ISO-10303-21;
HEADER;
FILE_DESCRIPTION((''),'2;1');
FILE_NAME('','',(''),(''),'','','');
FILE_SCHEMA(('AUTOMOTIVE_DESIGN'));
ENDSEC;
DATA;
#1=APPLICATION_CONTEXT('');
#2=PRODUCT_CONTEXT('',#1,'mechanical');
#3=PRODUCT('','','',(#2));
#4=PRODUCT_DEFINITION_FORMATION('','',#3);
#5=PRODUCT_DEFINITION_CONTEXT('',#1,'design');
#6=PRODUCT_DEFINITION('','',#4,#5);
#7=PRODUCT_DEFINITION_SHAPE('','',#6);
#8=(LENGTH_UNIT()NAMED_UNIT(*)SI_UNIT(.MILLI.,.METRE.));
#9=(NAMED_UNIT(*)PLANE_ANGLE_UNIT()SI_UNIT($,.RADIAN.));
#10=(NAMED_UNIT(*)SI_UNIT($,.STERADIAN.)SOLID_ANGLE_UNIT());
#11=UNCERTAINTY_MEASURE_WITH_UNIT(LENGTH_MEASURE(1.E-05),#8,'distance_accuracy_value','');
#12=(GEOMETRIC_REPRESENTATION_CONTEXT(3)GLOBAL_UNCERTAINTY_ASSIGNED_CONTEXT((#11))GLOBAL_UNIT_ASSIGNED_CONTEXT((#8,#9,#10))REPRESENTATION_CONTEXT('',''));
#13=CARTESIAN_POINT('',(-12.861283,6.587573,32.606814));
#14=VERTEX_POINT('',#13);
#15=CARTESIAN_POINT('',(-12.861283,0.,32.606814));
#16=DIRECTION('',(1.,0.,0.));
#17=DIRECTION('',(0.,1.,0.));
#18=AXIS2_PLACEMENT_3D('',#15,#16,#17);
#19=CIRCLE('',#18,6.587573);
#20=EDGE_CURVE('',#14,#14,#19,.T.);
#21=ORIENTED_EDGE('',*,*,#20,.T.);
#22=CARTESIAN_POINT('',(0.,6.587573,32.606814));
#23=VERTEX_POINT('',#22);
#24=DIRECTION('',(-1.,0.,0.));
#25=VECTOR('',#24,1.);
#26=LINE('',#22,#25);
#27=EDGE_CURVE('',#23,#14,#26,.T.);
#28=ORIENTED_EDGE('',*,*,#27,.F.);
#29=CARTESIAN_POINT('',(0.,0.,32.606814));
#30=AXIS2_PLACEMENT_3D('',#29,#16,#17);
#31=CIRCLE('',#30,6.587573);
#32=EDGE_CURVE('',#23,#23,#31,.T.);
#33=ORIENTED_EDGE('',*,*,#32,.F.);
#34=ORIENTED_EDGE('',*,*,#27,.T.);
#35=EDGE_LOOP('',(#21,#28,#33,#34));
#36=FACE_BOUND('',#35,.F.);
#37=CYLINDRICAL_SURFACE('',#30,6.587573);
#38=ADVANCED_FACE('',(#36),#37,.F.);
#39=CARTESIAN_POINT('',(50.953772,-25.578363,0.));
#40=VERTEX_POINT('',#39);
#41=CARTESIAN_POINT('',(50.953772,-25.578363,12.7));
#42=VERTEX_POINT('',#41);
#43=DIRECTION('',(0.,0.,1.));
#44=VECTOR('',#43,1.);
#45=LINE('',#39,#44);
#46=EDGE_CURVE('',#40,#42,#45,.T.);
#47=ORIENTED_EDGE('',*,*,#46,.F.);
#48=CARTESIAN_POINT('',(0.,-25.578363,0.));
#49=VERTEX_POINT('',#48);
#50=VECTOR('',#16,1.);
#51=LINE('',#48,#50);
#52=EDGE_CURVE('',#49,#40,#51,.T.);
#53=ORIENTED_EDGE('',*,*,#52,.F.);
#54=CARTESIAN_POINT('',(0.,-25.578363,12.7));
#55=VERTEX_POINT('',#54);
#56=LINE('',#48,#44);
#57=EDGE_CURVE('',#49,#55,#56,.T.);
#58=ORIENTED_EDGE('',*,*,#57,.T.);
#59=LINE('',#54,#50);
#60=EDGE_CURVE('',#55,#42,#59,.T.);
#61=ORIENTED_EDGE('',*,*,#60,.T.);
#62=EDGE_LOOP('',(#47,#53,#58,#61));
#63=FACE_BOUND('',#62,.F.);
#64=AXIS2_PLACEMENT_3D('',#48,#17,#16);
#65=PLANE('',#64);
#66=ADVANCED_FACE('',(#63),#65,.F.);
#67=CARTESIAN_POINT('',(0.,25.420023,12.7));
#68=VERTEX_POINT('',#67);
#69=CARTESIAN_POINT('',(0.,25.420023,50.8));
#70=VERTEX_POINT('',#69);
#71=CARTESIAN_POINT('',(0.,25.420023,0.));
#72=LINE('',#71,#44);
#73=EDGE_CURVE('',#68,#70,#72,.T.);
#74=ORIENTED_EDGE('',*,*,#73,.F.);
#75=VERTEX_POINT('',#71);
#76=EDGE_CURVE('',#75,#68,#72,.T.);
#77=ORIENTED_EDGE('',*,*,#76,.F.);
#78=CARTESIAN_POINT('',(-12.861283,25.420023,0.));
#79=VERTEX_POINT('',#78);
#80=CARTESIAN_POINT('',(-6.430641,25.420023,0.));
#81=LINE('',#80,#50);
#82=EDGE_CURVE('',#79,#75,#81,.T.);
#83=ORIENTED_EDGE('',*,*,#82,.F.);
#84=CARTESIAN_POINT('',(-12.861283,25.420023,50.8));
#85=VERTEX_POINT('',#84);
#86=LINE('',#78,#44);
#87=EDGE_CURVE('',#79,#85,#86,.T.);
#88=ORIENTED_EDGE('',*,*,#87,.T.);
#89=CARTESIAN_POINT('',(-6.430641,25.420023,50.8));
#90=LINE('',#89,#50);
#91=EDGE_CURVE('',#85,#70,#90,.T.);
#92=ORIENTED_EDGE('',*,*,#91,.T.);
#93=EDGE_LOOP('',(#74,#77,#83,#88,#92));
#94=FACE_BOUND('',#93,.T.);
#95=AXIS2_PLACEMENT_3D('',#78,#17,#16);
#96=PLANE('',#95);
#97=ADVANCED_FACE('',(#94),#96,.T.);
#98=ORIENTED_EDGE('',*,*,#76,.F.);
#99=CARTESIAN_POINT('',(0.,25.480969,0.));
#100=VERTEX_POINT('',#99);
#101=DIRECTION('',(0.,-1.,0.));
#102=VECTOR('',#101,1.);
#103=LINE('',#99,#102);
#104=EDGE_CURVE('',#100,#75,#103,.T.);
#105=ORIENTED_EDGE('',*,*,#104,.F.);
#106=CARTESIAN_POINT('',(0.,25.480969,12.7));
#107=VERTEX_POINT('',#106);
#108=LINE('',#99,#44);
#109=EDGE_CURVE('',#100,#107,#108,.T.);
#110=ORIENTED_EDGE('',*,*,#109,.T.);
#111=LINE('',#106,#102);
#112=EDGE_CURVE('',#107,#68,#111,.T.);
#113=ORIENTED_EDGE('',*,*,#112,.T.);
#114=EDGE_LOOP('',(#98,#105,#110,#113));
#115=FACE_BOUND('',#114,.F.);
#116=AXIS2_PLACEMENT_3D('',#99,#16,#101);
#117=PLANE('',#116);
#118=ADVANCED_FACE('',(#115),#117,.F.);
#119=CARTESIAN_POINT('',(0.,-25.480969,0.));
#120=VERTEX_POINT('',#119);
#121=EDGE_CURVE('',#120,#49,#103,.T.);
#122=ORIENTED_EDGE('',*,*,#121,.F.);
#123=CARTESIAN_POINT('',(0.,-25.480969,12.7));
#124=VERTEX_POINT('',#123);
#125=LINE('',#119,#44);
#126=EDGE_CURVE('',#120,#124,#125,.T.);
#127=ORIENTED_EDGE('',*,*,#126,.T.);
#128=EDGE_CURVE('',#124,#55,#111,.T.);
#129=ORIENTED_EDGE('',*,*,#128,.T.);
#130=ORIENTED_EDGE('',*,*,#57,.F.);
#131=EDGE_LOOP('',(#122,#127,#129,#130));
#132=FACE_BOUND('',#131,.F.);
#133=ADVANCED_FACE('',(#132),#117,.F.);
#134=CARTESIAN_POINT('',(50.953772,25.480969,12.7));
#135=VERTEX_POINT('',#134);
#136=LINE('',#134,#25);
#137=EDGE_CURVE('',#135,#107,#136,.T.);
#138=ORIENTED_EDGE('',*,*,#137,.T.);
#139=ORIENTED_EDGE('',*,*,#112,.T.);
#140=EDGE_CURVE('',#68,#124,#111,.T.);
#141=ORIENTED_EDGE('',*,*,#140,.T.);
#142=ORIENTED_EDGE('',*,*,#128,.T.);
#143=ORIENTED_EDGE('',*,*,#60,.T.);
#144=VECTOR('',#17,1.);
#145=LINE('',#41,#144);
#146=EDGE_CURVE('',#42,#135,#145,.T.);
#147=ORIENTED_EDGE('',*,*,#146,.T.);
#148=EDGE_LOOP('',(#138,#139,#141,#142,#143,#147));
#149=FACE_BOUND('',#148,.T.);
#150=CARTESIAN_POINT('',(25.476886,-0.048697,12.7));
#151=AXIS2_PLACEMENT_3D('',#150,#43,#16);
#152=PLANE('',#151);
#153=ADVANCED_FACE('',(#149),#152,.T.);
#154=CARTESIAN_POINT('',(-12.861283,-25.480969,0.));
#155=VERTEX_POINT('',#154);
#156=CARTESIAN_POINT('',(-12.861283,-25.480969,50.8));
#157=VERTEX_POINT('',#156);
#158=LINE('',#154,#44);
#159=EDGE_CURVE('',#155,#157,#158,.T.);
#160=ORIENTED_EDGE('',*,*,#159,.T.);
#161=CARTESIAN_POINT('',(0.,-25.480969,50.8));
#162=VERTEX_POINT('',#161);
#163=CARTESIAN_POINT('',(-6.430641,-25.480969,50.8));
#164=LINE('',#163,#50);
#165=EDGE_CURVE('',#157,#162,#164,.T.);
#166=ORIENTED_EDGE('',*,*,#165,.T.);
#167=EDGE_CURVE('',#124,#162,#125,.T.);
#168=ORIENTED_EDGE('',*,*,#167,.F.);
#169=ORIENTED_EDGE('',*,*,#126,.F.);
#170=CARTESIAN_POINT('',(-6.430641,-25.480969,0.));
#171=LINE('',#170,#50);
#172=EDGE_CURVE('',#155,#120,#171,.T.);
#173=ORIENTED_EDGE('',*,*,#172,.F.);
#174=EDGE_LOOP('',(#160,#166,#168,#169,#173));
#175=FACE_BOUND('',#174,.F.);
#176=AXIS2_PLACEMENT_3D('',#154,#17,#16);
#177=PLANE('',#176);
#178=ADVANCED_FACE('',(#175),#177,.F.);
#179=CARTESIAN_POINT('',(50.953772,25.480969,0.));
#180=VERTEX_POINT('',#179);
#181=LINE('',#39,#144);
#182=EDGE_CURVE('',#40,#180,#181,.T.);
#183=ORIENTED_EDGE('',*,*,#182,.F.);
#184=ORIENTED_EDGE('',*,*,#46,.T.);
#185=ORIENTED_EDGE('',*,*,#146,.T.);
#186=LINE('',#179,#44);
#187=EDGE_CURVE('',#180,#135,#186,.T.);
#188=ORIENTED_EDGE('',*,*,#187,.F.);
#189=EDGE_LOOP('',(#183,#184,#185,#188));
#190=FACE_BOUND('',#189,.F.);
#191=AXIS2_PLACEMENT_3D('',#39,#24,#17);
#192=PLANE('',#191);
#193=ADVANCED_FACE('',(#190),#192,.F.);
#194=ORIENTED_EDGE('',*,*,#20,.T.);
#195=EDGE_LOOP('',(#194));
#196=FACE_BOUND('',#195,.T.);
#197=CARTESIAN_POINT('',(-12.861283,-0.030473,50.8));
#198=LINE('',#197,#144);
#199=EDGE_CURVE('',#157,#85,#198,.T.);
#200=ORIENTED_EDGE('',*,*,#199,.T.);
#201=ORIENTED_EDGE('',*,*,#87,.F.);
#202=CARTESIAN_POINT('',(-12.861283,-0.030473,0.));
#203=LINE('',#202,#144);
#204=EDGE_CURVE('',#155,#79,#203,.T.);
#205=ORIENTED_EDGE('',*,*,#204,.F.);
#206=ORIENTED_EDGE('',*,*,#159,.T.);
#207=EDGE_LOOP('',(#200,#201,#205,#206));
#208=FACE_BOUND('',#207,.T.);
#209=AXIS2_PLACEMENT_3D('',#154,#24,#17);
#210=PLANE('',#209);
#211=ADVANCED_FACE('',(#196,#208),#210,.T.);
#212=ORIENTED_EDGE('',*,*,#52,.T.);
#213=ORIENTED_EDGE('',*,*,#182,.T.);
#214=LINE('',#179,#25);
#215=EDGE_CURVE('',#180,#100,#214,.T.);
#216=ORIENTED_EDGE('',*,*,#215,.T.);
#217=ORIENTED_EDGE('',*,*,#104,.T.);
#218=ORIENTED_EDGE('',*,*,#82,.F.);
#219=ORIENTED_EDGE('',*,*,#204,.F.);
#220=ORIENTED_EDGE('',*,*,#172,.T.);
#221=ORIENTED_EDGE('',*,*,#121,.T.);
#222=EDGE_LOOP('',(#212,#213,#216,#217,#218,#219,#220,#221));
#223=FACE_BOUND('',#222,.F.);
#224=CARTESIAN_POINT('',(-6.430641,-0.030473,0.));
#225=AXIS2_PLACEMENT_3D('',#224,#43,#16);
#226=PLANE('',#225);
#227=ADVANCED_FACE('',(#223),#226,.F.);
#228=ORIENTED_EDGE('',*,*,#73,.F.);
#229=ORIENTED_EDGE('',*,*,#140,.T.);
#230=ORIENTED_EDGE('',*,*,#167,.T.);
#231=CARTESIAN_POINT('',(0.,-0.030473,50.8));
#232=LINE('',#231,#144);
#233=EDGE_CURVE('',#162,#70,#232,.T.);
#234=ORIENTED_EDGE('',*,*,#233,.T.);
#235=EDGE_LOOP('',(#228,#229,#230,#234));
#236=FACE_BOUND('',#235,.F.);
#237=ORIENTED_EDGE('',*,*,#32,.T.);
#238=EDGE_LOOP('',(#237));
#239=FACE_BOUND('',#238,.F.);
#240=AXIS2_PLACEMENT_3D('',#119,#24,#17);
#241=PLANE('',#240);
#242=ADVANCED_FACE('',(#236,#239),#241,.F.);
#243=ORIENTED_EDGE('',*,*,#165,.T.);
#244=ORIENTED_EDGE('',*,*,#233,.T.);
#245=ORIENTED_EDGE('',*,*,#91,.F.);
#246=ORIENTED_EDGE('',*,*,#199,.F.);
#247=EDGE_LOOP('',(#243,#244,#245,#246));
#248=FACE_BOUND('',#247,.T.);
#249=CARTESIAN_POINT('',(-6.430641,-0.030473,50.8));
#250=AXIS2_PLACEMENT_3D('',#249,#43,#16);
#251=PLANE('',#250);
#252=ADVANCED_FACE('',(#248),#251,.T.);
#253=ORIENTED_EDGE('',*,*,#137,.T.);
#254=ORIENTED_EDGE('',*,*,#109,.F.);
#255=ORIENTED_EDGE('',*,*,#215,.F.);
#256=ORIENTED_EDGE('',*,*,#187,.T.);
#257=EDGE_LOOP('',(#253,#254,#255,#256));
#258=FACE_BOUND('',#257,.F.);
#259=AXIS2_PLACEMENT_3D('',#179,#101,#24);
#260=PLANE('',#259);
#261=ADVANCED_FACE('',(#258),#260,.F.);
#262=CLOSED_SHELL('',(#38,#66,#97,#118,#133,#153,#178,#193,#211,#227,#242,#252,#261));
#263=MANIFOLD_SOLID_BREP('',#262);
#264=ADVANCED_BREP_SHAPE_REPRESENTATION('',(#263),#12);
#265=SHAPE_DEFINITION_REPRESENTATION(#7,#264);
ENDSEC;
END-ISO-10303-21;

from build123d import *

# Parameters (mm, degrees)
F2_DEPTH = 12.7
F1_W     = 12.8612825647
F1_H     = 50.9009920061
F3_DEPTH = 50.8
F4_R     = 6.5875733698
F5_DEPTH = 41.656


with BuildPart() as f2:
    # F0 (on Top) → F2 (new body)
    with BuildSketch(Plane.XY):
        Polygon((0, 25.4809688777), (0, 0), (0, -25.5783628672), (50.953771919, -25.5783628672), (50.953771919, 25.4809688777), align=None)
    extrude(amount=F2_DEPTH)

    # F1 (on Top) → F3 (join)
    with BuildSketch(Plane.XY):
        with Locations((-6.4306412823, -0.0304728746)):
            Rectangle(F1_W, F1_H)
    extrude(amount=F3_DEPTH)

    # F4 (on face) → F5 (cut)
    with BuildSketch(Plane.YZ):
        with Locations((0, 32.6068140566)):
            Circle(F4_R)
    extrude(amount=-F5_DEPTH, mode=Mode.SUBTRACT)


solid = f2.part
